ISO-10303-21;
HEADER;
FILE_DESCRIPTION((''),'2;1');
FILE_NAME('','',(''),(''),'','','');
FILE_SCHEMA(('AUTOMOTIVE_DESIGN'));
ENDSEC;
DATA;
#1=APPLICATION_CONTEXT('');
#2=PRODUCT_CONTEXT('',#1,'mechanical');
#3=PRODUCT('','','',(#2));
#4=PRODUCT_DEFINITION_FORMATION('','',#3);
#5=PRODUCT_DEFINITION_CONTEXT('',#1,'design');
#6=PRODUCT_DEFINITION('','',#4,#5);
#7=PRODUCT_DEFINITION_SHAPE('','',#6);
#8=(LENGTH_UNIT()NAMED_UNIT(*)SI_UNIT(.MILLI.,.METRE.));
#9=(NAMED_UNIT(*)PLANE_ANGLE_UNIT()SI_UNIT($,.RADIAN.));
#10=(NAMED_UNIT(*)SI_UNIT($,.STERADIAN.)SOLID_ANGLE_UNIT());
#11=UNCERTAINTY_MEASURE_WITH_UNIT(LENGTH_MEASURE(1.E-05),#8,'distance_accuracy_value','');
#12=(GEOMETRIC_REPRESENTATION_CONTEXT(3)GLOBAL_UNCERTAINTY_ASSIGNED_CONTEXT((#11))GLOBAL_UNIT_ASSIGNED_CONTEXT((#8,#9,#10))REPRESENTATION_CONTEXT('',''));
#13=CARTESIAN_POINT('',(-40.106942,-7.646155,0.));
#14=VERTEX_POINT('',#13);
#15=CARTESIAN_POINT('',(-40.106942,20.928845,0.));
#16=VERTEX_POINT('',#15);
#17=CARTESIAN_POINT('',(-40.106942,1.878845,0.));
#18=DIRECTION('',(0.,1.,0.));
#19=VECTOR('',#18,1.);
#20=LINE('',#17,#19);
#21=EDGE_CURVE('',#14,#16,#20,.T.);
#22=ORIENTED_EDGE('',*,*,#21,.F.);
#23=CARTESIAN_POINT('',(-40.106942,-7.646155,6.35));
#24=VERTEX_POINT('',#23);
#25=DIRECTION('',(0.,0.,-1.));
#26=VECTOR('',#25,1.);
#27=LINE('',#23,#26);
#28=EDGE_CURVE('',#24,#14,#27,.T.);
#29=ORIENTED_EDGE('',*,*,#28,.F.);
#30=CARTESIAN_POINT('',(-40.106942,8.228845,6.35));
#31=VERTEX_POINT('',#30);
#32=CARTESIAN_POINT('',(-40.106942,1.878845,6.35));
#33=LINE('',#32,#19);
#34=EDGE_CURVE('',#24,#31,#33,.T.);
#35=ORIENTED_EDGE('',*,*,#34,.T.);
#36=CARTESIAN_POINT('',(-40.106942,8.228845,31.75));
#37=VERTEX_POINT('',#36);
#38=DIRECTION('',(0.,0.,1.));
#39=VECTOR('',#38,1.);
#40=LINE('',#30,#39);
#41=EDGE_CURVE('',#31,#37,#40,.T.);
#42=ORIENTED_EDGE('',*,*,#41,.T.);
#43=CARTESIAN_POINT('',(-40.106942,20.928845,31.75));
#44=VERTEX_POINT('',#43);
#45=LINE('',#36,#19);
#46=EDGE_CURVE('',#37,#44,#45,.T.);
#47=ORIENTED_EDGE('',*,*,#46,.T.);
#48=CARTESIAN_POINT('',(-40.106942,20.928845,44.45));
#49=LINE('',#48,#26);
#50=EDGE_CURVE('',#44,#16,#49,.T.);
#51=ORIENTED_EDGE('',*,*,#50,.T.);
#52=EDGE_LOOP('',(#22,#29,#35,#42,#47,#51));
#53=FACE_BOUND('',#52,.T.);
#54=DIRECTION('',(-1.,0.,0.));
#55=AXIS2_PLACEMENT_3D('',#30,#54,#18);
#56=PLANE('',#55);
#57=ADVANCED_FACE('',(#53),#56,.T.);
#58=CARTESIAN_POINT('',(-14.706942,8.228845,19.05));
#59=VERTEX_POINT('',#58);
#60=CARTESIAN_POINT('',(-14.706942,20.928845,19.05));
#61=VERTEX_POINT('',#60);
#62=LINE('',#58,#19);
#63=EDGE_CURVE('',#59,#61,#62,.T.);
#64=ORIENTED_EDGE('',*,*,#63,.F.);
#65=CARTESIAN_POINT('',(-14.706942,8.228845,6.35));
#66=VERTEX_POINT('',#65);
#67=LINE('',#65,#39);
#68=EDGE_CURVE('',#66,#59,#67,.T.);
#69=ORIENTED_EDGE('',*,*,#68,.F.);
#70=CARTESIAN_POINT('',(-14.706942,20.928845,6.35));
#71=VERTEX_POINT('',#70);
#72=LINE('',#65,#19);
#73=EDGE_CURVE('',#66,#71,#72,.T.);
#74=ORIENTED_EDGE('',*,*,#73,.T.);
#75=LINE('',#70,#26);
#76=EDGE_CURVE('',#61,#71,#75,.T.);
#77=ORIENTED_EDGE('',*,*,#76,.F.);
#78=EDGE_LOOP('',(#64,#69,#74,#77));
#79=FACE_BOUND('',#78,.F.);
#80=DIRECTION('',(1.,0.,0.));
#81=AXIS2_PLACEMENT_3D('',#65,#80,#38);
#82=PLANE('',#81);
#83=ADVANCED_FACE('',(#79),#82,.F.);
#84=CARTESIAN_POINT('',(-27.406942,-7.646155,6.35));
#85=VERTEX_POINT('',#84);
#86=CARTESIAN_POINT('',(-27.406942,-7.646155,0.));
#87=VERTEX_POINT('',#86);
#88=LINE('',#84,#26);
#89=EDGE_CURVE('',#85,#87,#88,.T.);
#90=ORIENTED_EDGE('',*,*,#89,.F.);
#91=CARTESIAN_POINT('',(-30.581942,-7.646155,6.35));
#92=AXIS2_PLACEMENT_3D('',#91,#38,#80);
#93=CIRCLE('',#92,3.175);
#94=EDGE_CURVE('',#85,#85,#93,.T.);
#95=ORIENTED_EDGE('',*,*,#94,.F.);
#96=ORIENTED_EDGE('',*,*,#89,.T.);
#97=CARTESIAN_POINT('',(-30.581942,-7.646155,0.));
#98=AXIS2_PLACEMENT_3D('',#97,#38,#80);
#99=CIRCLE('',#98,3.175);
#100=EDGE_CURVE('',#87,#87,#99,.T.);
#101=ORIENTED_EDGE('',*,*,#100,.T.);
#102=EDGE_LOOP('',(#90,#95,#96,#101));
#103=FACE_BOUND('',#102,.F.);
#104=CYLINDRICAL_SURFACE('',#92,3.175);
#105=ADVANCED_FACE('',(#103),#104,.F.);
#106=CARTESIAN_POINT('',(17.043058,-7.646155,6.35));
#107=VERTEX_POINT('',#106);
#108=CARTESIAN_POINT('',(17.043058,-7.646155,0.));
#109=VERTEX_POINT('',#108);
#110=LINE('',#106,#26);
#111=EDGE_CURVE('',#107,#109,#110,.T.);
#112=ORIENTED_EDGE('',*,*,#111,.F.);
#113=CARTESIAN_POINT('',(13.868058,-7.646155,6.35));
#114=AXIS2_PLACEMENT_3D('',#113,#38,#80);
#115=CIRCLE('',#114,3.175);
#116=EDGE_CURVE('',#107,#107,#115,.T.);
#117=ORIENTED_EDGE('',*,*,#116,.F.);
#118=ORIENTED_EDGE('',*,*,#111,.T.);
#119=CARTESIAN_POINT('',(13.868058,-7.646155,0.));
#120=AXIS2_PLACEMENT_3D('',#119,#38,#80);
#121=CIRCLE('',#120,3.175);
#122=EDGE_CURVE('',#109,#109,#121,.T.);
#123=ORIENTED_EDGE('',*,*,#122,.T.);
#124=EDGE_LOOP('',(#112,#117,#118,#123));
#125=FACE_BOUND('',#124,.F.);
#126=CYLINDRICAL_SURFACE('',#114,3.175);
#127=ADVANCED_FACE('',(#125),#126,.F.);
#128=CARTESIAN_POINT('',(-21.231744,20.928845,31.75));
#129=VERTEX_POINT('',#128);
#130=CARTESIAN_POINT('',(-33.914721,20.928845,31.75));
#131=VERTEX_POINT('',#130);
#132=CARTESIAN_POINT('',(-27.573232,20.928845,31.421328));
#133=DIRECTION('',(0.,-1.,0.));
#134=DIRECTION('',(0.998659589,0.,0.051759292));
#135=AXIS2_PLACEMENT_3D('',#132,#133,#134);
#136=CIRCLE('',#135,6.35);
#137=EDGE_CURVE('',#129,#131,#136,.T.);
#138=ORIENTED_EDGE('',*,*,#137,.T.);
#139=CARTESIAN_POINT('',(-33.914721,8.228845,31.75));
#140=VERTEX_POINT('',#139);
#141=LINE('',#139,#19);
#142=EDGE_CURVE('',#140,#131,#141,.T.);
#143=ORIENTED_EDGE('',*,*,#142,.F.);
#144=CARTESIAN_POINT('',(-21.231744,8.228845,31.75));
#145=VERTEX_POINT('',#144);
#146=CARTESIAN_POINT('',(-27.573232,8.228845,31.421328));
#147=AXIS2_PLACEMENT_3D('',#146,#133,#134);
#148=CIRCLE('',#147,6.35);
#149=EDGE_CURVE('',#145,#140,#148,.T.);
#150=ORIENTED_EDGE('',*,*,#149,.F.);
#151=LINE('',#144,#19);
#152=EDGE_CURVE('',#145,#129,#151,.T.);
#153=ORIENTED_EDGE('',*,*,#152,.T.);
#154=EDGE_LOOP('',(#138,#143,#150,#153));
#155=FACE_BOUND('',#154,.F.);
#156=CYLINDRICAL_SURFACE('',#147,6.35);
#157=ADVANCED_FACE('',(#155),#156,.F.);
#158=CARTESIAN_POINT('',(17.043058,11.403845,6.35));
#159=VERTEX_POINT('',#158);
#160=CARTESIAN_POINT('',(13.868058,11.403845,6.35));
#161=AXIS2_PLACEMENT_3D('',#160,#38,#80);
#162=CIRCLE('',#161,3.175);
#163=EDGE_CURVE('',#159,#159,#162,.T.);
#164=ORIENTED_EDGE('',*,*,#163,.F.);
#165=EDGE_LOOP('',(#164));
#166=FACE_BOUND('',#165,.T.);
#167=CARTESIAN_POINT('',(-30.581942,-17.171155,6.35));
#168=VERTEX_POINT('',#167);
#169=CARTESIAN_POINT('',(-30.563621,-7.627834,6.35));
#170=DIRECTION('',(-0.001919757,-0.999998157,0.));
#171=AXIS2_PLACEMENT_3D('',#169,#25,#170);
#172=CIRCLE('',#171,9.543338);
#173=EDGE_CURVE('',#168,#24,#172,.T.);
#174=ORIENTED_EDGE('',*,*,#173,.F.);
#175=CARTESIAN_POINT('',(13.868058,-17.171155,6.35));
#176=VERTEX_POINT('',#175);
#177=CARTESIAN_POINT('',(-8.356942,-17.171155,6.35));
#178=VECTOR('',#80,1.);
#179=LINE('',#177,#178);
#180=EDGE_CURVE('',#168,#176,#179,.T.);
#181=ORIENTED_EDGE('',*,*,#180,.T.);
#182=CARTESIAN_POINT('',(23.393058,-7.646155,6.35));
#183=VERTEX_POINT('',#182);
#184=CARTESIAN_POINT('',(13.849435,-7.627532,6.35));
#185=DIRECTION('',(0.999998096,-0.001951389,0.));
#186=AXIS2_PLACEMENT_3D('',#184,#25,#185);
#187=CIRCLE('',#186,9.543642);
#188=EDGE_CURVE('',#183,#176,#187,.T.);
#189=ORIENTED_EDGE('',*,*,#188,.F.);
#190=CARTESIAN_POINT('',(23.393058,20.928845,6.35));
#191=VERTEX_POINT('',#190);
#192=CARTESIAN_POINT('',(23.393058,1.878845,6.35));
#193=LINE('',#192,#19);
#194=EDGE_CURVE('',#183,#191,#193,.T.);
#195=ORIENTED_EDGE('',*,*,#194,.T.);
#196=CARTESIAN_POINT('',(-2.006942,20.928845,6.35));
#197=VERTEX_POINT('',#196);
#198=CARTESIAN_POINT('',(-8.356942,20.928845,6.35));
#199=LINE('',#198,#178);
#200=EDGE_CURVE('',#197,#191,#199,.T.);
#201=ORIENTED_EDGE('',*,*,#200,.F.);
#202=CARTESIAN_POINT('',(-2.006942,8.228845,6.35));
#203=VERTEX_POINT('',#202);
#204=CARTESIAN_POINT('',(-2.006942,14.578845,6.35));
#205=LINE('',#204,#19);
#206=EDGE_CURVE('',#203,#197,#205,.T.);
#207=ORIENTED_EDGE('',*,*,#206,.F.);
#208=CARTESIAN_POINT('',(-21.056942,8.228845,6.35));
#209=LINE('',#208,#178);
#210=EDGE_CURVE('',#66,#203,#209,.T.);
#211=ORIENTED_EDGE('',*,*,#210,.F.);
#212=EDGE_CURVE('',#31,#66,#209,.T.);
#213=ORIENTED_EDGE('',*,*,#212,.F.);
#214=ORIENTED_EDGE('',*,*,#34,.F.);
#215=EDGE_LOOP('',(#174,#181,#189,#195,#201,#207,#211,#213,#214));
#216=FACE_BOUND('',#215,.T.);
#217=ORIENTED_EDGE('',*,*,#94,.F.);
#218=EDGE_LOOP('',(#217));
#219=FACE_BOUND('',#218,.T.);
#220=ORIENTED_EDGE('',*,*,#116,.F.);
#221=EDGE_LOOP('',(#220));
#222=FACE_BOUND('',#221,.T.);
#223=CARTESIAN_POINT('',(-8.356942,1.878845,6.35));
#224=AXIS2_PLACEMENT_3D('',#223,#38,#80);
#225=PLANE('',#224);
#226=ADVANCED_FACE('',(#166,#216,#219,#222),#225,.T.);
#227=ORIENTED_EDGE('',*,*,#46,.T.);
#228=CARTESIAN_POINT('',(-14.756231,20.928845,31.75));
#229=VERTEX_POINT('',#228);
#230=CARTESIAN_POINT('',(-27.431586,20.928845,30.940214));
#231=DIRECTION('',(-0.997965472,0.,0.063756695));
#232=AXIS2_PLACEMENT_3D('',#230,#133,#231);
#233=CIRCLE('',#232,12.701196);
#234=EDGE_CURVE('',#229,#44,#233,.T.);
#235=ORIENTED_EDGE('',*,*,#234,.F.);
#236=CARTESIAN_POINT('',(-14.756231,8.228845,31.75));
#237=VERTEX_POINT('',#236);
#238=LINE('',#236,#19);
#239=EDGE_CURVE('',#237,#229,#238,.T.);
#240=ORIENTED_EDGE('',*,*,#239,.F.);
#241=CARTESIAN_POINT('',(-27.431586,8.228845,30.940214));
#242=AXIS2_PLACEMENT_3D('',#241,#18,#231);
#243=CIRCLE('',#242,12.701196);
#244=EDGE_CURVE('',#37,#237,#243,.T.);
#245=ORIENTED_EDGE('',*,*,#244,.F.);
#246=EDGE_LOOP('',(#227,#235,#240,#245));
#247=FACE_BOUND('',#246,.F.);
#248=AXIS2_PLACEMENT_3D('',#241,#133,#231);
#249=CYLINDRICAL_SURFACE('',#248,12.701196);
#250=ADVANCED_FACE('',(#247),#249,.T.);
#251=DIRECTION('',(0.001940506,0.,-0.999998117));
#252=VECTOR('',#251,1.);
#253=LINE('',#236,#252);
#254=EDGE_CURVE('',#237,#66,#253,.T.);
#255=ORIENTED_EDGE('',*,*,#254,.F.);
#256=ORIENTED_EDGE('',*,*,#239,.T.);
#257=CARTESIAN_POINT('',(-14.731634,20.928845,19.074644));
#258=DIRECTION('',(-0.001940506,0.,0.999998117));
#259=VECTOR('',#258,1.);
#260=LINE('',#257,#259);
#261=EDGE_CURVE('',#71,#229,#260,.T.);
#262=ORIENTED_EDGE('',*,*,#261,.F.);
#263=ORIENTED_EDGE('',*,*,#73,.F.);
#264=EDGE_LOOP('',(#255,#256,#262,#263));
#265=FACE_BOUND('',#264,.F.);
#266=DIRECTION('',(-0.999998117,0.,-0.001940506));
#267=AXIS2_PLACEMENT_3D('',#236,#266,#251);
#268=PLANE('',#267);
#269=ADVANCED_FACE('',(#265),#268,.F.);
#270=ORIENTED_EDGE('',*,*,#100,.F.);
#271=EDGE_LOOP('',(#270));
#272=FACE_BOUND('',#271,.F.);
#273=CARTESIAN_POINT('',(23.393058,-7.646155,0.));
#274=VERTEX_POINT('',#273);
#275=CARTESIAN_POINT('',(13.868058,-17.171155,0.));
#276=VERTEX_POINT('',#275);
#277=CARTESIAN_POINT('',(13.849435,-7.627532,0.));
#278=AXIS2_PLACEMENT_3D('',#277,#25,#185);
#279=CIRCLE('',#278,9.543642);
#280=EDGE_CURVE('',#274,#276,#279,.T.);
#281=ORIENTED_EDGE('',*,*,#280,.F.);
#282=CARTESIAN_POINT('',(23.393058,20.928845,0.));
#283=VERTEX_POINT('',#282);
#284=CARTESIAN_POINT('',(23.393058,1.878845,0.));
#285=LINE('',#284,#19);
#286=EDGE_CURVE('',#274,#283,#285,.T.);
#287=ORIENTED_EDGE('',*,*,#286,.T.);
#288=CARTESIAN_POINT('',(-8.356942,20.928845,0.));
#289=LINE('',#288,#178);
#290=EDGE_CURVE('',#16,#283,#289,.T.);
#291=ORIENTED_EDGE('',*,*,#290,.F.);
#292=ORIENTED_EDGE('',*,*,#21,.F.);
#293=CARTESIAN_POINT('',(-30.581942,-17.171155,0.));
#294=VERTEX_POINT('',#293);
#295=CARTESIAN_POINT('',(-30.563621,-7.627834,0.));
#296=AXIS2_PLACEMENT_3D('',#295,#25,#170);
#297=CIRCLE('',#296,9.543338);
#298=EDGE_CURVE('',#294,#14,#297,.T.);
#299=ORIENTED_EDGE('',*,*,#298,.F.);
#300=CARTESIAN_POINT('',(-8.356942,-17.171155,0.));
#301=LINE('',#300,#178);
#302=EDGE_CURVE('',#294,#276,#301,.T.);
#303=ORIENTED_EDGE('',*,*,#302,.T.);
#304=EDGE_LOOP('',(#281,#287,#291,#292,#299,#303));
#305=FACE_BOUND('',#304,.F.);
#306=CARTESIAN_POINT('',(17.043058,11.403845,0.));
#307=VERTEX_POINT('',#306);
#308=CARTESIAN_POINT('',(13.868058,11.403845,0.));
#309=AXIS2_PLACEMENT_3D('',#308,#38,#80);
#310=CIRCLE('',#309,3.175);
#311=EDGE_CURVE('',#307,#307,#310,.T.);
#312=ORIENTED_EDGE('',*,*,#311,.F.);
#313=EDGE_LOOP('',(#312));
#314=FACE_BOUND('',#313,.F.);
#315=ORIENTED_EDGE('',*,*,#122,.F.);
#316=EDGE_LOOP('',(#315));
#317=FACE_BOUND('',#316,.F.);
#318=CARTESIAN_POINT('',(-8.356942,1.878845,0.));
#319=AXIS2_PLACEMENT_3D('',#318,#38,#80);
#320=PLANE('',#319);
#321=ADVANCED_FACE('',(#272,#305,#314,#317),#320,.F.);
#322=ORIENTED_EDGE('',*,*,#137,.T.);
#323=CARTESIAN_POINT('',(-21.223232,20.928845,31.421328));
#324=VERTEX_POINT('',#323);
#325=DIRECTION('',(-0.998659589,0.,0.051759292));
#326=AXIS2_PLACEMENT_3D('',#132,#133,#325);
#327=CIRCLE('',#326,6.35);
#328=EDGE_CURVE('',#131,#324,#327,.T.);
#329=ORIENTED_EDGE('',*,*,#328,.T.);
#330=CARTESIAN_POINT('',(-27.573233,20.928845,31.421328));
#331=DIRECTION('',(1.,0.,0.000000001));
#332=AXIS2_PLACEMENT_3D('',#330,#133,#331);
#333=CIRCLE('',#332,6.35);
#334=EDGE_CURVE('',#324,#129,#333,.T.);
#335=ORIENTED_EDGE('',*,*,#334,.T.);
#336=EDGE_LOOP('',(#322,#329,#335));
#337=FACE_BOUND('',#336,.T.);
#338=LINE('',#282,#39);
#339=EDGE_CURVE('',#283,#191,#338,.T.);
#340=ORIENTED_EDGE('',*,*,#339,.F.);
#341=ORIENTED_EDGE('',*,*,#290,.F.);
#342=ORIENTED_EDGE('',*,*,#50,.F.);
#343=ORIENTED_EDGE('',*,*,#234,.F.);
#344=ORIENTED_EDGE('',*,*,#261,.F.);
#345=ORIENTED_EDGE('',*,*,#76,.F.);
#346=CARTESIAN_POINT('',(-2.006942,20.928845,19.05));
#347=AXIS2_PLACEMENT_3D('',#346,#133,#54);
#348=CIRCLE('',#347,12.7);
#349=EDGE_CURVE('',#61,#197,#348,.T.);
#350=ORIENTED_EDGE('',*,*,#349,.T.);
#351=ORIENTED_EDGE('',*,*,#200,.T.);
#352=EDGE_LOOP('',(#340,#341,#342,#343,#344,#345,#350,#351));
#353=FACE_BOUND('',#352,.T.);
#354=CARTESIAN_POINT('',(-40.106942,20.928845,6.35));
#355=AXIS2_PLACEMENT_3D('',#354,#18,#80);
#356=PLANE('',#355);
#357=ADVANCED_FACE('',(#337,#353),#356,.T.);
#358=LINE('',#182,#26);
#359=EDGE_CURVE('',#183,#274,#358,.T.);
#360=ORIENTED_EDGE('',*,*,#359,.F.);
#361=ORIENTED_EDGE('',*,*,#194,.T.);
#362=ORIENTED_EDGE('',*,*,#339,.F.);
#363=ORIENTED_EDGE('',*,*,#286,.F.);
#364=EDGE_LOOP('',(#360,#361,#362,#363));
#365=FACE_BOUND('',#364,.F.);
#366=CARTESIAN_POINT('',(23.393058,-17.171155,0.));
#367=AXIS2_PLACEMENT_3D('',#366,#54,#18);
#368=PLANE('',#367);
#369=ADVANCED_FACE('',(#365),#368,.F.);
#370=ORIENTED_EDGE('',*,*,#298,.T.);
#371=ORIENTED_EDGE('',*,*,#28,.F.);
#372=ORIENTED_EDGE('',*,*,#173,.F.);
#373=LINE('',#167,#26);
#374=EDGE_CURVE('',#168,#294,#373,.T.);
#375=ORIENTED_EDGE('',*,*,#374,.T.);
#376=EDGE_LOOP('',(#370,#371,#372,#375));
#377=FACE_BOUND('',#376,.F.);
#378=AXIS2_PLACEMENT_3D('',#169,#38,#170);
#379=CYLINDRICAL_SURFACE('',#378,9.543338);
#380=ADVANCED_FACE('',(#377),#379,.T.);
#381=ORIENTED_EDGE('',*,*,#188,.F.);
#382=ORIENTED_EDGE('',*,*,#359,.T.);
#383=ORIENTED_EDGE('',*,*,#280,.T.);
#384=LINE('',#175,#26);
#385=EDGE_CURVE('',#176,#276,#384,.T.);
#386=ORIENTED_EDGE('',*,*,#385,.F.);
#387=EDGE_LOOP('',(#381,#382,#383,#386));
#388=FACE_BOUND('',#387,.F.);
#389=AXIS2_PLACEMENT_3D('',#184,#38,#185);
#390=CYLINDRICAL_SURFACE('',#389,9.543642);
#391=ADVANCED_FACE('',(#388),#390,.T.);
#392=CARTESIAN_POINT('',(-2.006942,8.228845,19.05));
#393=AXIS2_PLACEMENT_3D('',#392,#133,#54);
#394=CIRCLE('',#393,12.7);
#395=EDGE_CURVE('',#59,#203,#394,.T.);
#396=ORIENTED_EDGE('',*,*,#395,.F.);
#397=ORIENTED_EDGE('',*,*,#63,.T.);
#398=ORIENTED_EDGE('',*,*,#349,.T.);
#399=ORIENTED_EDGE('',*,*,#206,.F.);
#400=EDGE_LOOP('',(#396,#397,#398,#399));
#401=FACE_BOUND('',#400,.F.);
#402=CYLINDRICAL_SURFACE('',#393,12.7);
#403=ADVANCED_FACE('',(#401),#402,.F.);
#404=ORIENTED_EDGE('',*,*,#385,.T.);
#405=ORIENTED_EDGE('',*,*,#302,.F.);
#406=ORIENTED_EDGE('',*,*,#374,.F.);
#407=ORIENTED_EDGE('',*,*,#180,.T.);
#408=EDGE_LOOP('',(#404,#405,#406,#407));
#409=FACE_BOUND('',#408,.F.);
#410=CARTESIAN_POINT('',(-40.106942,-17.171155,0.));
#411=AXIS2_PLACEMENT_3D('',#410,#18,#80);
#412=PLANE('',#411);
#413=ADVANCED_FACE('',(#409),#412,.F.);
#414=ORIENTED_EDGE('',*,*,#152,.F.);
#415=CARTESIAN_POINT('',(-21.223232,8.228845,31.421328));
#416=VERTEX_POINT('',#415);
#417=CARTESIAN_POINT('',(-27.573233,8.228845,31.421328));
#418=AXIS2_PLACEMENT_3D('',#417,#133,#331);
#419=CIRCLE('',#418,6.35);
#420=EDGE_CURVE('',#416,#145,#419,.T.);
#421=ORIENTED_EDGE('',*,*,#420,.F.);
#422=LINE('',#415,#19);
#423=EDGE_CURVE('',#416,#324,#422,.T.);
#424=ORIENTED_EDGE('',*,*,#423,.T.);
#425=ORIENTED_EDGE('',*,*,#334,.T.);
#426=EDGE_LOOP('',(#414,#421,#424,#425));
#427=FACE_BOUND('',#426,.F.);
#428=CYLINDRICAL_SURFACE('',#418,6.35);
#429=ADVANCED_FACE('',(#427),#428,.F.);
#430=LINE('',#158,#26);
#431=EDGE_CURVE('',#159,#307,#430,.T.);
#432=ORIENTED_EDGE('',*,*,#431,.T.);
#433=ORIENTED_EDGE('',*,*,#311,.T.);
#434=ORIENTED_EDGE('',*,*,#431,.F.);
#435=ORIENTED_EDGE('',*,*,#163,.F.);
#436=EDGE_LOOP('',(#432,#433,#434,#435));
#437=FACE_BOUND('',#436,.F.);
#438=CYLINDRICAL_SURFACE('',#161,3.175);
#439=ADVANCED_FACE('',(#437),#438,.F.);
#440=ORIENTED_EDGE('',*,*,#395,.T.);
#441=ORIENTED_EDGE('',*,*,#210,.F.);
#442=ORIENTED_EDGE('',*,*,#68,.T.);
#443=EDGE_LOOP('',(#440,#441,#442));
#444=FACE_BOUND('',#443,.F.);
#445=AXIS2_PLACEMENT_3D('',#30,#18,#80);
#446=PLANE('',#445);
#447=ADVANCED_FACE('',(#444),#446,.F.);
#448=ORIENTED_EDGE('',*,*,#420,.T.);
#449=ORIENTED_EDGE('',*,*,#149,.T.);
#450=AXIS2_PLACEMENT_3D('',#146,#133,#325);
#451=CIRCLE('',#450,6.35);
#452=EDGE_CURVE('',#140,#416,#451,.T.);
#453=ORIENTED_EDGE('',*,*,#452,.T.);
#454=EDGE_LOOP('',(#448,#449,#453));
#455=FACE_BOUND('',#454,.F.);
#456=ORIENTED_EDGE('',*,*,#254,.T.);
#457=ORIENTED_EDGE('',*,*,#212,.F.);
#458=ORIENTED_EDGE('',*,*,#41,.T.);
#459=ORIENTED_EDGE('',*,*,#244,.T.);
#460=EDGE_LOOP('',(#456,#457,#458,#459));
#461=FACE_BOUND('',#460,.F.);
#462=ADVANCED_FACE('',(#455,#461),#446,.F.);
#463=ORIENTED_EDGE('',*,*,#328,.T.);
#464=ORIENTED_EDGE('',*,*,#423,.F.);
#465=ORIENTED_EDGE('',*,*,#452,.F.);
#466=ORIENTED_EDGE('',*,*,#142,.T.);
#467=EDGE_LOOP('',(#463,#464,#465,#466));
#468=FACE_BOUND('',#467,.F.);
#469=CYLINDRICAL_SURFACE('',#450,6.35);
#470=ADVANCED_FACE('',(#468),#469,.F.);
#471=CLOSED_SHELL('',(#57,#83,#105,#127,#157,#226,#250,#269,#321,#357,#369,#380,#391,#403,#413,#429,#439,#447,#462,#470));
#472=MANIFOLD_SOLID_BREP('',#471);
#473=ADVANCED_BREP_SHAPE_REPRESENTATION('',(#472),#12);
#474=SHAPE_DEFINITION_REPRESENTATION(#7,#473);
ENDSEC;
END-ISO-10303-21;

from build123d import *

# Parameters (mm, degrees)
F0_W     = 63.5
F0_H     = 38.1
F1_DEPTH = 6.35
F2_R     = 3.175
F3_DEPTH = 6.35
F4_W     = 38.1
F4_H     = 12.7
F5_DEPTH = 38.1
F7_DEPTH = 25.4


with BuildPart() as f1:
    # F0 (on Top) → F1 (new body)
    with BuildSketch(Plane.XY):
        with Locations((-8.3569418639, 1.878844718)):
            Rectangle(F0_W, F0_H)
    extrude(amount=F1_DEPTH)

    # F2 (on face) → F3 (cut)
    with BuildSketch(Plane.XY.offset(6.35)):
        with Locations((-30.5819418639, -7.646155282)):
            Circle(F2_R)
        with Locations((13.8680581361, -7.646155282)):
            Circle(F2_R)
        with Locations((13.8680581361, 11.403844718)):
            Circle(F2_R)
        with BuildLine():
            ThreePointArc((-30.5819418639, -17.171155282), (-37.3117803251, -14.3759937432), (-40.1069418639, -7.646155282))
            Line((-40.1069418639, -7.646155282), (-40.1069418639, -17.171155282))
            Line((-40.1069418639, -17.171155282), (-30.5819418639, -17.171155282))
        make_face()
        with BuildLine():
            ThreePointArc((23.3930581361, -7.646155282), (20.5978084208, -14.3759055667), (13.8680581361, -17.171155282))
            Line((13.8680581361, -17.171155282), (23.3930581361, -17.171155282))
            Line((23.3930581361, -17.171155282), (23.3930581361, -7.646155282))
        make_face()
    extrude(amount=-F3_DEPTH, mode=Mode.SUBTRACT)

    # F4 (on face) → F5 (join)
    with BuildSketch(Plane.XY.offset(6.35)):
        with Locations((-21.0569418639, 14.578844718)):
            Rectangle(F4_W, F4_H)
    extrude(amount=F5_DEPTH)

    # F6 (on face) → F7 (cut)
    with BuildSketch(Plane.XZ.offset(-8.228844718)):
        with BuildLine():
            Line((-33.9147208913, 31.75), (-21.2317441048, 31.75))
            ThreePointArc((-21.2317441048, 31.75), (-27.573232498, 37.771328495), (-33.9147208913, 31.75))
        make_face()
        with BuildLine():
            ThreePointArc((-21.223232498, 31.421328495), (-21.2253607564, 31.5857193445), (-21.2317441048, 31.75))
            Line((-21.2317441048, 31.75), (-33.9147208913, 31.75))
            ThreePointArc((-33.9147208913, 31.75), (-27.7376233476, 25.0734567533), (-21.223232498, 31.421328495))
        make_face()
        with BuildLine():
            Line((-14.7069418639, 6.35), (-14.7069418639, 19.05))
            ThreePointArc((-14.7069418639, 19.05), (-10.987197985, 10.0697438789), (-2.0069418639, 6.35))
            Line((-2.0069418639, 6.35), (-2.0069418639, 31.75))
            Line((-2.0069418639, 31.75), (-14.7562308182, 31.75))
            Line((-14.7562308182, 31.75), (-14.7069418639, 6.35))
        make_face()
        Polygon((-14.7808752954, 44.45), (-14.7562308182, 31.75), (-2.0069418639, 31.75), (-2.0069418639, 44.45), align=None)
        with BuildLine():
            ThreePointArc((-40.1069418639, 31.75), (-27.4315863411, 43.6414101491), (-14.7562308182, 31.75))
            Line((-14.7562308182, 31.75), (-14.7808752954, 44.45))
            Line((-14.7808752954, 44.45), (-40.1069418639, 44.45))
            Line((-40.1069418639, 44.45), (-40.1069418639, 31.75))
        make_face()
    extrude(amount=-F7_DEPTH, mode=Mode.SUBTRACT)


solid = f1.part
